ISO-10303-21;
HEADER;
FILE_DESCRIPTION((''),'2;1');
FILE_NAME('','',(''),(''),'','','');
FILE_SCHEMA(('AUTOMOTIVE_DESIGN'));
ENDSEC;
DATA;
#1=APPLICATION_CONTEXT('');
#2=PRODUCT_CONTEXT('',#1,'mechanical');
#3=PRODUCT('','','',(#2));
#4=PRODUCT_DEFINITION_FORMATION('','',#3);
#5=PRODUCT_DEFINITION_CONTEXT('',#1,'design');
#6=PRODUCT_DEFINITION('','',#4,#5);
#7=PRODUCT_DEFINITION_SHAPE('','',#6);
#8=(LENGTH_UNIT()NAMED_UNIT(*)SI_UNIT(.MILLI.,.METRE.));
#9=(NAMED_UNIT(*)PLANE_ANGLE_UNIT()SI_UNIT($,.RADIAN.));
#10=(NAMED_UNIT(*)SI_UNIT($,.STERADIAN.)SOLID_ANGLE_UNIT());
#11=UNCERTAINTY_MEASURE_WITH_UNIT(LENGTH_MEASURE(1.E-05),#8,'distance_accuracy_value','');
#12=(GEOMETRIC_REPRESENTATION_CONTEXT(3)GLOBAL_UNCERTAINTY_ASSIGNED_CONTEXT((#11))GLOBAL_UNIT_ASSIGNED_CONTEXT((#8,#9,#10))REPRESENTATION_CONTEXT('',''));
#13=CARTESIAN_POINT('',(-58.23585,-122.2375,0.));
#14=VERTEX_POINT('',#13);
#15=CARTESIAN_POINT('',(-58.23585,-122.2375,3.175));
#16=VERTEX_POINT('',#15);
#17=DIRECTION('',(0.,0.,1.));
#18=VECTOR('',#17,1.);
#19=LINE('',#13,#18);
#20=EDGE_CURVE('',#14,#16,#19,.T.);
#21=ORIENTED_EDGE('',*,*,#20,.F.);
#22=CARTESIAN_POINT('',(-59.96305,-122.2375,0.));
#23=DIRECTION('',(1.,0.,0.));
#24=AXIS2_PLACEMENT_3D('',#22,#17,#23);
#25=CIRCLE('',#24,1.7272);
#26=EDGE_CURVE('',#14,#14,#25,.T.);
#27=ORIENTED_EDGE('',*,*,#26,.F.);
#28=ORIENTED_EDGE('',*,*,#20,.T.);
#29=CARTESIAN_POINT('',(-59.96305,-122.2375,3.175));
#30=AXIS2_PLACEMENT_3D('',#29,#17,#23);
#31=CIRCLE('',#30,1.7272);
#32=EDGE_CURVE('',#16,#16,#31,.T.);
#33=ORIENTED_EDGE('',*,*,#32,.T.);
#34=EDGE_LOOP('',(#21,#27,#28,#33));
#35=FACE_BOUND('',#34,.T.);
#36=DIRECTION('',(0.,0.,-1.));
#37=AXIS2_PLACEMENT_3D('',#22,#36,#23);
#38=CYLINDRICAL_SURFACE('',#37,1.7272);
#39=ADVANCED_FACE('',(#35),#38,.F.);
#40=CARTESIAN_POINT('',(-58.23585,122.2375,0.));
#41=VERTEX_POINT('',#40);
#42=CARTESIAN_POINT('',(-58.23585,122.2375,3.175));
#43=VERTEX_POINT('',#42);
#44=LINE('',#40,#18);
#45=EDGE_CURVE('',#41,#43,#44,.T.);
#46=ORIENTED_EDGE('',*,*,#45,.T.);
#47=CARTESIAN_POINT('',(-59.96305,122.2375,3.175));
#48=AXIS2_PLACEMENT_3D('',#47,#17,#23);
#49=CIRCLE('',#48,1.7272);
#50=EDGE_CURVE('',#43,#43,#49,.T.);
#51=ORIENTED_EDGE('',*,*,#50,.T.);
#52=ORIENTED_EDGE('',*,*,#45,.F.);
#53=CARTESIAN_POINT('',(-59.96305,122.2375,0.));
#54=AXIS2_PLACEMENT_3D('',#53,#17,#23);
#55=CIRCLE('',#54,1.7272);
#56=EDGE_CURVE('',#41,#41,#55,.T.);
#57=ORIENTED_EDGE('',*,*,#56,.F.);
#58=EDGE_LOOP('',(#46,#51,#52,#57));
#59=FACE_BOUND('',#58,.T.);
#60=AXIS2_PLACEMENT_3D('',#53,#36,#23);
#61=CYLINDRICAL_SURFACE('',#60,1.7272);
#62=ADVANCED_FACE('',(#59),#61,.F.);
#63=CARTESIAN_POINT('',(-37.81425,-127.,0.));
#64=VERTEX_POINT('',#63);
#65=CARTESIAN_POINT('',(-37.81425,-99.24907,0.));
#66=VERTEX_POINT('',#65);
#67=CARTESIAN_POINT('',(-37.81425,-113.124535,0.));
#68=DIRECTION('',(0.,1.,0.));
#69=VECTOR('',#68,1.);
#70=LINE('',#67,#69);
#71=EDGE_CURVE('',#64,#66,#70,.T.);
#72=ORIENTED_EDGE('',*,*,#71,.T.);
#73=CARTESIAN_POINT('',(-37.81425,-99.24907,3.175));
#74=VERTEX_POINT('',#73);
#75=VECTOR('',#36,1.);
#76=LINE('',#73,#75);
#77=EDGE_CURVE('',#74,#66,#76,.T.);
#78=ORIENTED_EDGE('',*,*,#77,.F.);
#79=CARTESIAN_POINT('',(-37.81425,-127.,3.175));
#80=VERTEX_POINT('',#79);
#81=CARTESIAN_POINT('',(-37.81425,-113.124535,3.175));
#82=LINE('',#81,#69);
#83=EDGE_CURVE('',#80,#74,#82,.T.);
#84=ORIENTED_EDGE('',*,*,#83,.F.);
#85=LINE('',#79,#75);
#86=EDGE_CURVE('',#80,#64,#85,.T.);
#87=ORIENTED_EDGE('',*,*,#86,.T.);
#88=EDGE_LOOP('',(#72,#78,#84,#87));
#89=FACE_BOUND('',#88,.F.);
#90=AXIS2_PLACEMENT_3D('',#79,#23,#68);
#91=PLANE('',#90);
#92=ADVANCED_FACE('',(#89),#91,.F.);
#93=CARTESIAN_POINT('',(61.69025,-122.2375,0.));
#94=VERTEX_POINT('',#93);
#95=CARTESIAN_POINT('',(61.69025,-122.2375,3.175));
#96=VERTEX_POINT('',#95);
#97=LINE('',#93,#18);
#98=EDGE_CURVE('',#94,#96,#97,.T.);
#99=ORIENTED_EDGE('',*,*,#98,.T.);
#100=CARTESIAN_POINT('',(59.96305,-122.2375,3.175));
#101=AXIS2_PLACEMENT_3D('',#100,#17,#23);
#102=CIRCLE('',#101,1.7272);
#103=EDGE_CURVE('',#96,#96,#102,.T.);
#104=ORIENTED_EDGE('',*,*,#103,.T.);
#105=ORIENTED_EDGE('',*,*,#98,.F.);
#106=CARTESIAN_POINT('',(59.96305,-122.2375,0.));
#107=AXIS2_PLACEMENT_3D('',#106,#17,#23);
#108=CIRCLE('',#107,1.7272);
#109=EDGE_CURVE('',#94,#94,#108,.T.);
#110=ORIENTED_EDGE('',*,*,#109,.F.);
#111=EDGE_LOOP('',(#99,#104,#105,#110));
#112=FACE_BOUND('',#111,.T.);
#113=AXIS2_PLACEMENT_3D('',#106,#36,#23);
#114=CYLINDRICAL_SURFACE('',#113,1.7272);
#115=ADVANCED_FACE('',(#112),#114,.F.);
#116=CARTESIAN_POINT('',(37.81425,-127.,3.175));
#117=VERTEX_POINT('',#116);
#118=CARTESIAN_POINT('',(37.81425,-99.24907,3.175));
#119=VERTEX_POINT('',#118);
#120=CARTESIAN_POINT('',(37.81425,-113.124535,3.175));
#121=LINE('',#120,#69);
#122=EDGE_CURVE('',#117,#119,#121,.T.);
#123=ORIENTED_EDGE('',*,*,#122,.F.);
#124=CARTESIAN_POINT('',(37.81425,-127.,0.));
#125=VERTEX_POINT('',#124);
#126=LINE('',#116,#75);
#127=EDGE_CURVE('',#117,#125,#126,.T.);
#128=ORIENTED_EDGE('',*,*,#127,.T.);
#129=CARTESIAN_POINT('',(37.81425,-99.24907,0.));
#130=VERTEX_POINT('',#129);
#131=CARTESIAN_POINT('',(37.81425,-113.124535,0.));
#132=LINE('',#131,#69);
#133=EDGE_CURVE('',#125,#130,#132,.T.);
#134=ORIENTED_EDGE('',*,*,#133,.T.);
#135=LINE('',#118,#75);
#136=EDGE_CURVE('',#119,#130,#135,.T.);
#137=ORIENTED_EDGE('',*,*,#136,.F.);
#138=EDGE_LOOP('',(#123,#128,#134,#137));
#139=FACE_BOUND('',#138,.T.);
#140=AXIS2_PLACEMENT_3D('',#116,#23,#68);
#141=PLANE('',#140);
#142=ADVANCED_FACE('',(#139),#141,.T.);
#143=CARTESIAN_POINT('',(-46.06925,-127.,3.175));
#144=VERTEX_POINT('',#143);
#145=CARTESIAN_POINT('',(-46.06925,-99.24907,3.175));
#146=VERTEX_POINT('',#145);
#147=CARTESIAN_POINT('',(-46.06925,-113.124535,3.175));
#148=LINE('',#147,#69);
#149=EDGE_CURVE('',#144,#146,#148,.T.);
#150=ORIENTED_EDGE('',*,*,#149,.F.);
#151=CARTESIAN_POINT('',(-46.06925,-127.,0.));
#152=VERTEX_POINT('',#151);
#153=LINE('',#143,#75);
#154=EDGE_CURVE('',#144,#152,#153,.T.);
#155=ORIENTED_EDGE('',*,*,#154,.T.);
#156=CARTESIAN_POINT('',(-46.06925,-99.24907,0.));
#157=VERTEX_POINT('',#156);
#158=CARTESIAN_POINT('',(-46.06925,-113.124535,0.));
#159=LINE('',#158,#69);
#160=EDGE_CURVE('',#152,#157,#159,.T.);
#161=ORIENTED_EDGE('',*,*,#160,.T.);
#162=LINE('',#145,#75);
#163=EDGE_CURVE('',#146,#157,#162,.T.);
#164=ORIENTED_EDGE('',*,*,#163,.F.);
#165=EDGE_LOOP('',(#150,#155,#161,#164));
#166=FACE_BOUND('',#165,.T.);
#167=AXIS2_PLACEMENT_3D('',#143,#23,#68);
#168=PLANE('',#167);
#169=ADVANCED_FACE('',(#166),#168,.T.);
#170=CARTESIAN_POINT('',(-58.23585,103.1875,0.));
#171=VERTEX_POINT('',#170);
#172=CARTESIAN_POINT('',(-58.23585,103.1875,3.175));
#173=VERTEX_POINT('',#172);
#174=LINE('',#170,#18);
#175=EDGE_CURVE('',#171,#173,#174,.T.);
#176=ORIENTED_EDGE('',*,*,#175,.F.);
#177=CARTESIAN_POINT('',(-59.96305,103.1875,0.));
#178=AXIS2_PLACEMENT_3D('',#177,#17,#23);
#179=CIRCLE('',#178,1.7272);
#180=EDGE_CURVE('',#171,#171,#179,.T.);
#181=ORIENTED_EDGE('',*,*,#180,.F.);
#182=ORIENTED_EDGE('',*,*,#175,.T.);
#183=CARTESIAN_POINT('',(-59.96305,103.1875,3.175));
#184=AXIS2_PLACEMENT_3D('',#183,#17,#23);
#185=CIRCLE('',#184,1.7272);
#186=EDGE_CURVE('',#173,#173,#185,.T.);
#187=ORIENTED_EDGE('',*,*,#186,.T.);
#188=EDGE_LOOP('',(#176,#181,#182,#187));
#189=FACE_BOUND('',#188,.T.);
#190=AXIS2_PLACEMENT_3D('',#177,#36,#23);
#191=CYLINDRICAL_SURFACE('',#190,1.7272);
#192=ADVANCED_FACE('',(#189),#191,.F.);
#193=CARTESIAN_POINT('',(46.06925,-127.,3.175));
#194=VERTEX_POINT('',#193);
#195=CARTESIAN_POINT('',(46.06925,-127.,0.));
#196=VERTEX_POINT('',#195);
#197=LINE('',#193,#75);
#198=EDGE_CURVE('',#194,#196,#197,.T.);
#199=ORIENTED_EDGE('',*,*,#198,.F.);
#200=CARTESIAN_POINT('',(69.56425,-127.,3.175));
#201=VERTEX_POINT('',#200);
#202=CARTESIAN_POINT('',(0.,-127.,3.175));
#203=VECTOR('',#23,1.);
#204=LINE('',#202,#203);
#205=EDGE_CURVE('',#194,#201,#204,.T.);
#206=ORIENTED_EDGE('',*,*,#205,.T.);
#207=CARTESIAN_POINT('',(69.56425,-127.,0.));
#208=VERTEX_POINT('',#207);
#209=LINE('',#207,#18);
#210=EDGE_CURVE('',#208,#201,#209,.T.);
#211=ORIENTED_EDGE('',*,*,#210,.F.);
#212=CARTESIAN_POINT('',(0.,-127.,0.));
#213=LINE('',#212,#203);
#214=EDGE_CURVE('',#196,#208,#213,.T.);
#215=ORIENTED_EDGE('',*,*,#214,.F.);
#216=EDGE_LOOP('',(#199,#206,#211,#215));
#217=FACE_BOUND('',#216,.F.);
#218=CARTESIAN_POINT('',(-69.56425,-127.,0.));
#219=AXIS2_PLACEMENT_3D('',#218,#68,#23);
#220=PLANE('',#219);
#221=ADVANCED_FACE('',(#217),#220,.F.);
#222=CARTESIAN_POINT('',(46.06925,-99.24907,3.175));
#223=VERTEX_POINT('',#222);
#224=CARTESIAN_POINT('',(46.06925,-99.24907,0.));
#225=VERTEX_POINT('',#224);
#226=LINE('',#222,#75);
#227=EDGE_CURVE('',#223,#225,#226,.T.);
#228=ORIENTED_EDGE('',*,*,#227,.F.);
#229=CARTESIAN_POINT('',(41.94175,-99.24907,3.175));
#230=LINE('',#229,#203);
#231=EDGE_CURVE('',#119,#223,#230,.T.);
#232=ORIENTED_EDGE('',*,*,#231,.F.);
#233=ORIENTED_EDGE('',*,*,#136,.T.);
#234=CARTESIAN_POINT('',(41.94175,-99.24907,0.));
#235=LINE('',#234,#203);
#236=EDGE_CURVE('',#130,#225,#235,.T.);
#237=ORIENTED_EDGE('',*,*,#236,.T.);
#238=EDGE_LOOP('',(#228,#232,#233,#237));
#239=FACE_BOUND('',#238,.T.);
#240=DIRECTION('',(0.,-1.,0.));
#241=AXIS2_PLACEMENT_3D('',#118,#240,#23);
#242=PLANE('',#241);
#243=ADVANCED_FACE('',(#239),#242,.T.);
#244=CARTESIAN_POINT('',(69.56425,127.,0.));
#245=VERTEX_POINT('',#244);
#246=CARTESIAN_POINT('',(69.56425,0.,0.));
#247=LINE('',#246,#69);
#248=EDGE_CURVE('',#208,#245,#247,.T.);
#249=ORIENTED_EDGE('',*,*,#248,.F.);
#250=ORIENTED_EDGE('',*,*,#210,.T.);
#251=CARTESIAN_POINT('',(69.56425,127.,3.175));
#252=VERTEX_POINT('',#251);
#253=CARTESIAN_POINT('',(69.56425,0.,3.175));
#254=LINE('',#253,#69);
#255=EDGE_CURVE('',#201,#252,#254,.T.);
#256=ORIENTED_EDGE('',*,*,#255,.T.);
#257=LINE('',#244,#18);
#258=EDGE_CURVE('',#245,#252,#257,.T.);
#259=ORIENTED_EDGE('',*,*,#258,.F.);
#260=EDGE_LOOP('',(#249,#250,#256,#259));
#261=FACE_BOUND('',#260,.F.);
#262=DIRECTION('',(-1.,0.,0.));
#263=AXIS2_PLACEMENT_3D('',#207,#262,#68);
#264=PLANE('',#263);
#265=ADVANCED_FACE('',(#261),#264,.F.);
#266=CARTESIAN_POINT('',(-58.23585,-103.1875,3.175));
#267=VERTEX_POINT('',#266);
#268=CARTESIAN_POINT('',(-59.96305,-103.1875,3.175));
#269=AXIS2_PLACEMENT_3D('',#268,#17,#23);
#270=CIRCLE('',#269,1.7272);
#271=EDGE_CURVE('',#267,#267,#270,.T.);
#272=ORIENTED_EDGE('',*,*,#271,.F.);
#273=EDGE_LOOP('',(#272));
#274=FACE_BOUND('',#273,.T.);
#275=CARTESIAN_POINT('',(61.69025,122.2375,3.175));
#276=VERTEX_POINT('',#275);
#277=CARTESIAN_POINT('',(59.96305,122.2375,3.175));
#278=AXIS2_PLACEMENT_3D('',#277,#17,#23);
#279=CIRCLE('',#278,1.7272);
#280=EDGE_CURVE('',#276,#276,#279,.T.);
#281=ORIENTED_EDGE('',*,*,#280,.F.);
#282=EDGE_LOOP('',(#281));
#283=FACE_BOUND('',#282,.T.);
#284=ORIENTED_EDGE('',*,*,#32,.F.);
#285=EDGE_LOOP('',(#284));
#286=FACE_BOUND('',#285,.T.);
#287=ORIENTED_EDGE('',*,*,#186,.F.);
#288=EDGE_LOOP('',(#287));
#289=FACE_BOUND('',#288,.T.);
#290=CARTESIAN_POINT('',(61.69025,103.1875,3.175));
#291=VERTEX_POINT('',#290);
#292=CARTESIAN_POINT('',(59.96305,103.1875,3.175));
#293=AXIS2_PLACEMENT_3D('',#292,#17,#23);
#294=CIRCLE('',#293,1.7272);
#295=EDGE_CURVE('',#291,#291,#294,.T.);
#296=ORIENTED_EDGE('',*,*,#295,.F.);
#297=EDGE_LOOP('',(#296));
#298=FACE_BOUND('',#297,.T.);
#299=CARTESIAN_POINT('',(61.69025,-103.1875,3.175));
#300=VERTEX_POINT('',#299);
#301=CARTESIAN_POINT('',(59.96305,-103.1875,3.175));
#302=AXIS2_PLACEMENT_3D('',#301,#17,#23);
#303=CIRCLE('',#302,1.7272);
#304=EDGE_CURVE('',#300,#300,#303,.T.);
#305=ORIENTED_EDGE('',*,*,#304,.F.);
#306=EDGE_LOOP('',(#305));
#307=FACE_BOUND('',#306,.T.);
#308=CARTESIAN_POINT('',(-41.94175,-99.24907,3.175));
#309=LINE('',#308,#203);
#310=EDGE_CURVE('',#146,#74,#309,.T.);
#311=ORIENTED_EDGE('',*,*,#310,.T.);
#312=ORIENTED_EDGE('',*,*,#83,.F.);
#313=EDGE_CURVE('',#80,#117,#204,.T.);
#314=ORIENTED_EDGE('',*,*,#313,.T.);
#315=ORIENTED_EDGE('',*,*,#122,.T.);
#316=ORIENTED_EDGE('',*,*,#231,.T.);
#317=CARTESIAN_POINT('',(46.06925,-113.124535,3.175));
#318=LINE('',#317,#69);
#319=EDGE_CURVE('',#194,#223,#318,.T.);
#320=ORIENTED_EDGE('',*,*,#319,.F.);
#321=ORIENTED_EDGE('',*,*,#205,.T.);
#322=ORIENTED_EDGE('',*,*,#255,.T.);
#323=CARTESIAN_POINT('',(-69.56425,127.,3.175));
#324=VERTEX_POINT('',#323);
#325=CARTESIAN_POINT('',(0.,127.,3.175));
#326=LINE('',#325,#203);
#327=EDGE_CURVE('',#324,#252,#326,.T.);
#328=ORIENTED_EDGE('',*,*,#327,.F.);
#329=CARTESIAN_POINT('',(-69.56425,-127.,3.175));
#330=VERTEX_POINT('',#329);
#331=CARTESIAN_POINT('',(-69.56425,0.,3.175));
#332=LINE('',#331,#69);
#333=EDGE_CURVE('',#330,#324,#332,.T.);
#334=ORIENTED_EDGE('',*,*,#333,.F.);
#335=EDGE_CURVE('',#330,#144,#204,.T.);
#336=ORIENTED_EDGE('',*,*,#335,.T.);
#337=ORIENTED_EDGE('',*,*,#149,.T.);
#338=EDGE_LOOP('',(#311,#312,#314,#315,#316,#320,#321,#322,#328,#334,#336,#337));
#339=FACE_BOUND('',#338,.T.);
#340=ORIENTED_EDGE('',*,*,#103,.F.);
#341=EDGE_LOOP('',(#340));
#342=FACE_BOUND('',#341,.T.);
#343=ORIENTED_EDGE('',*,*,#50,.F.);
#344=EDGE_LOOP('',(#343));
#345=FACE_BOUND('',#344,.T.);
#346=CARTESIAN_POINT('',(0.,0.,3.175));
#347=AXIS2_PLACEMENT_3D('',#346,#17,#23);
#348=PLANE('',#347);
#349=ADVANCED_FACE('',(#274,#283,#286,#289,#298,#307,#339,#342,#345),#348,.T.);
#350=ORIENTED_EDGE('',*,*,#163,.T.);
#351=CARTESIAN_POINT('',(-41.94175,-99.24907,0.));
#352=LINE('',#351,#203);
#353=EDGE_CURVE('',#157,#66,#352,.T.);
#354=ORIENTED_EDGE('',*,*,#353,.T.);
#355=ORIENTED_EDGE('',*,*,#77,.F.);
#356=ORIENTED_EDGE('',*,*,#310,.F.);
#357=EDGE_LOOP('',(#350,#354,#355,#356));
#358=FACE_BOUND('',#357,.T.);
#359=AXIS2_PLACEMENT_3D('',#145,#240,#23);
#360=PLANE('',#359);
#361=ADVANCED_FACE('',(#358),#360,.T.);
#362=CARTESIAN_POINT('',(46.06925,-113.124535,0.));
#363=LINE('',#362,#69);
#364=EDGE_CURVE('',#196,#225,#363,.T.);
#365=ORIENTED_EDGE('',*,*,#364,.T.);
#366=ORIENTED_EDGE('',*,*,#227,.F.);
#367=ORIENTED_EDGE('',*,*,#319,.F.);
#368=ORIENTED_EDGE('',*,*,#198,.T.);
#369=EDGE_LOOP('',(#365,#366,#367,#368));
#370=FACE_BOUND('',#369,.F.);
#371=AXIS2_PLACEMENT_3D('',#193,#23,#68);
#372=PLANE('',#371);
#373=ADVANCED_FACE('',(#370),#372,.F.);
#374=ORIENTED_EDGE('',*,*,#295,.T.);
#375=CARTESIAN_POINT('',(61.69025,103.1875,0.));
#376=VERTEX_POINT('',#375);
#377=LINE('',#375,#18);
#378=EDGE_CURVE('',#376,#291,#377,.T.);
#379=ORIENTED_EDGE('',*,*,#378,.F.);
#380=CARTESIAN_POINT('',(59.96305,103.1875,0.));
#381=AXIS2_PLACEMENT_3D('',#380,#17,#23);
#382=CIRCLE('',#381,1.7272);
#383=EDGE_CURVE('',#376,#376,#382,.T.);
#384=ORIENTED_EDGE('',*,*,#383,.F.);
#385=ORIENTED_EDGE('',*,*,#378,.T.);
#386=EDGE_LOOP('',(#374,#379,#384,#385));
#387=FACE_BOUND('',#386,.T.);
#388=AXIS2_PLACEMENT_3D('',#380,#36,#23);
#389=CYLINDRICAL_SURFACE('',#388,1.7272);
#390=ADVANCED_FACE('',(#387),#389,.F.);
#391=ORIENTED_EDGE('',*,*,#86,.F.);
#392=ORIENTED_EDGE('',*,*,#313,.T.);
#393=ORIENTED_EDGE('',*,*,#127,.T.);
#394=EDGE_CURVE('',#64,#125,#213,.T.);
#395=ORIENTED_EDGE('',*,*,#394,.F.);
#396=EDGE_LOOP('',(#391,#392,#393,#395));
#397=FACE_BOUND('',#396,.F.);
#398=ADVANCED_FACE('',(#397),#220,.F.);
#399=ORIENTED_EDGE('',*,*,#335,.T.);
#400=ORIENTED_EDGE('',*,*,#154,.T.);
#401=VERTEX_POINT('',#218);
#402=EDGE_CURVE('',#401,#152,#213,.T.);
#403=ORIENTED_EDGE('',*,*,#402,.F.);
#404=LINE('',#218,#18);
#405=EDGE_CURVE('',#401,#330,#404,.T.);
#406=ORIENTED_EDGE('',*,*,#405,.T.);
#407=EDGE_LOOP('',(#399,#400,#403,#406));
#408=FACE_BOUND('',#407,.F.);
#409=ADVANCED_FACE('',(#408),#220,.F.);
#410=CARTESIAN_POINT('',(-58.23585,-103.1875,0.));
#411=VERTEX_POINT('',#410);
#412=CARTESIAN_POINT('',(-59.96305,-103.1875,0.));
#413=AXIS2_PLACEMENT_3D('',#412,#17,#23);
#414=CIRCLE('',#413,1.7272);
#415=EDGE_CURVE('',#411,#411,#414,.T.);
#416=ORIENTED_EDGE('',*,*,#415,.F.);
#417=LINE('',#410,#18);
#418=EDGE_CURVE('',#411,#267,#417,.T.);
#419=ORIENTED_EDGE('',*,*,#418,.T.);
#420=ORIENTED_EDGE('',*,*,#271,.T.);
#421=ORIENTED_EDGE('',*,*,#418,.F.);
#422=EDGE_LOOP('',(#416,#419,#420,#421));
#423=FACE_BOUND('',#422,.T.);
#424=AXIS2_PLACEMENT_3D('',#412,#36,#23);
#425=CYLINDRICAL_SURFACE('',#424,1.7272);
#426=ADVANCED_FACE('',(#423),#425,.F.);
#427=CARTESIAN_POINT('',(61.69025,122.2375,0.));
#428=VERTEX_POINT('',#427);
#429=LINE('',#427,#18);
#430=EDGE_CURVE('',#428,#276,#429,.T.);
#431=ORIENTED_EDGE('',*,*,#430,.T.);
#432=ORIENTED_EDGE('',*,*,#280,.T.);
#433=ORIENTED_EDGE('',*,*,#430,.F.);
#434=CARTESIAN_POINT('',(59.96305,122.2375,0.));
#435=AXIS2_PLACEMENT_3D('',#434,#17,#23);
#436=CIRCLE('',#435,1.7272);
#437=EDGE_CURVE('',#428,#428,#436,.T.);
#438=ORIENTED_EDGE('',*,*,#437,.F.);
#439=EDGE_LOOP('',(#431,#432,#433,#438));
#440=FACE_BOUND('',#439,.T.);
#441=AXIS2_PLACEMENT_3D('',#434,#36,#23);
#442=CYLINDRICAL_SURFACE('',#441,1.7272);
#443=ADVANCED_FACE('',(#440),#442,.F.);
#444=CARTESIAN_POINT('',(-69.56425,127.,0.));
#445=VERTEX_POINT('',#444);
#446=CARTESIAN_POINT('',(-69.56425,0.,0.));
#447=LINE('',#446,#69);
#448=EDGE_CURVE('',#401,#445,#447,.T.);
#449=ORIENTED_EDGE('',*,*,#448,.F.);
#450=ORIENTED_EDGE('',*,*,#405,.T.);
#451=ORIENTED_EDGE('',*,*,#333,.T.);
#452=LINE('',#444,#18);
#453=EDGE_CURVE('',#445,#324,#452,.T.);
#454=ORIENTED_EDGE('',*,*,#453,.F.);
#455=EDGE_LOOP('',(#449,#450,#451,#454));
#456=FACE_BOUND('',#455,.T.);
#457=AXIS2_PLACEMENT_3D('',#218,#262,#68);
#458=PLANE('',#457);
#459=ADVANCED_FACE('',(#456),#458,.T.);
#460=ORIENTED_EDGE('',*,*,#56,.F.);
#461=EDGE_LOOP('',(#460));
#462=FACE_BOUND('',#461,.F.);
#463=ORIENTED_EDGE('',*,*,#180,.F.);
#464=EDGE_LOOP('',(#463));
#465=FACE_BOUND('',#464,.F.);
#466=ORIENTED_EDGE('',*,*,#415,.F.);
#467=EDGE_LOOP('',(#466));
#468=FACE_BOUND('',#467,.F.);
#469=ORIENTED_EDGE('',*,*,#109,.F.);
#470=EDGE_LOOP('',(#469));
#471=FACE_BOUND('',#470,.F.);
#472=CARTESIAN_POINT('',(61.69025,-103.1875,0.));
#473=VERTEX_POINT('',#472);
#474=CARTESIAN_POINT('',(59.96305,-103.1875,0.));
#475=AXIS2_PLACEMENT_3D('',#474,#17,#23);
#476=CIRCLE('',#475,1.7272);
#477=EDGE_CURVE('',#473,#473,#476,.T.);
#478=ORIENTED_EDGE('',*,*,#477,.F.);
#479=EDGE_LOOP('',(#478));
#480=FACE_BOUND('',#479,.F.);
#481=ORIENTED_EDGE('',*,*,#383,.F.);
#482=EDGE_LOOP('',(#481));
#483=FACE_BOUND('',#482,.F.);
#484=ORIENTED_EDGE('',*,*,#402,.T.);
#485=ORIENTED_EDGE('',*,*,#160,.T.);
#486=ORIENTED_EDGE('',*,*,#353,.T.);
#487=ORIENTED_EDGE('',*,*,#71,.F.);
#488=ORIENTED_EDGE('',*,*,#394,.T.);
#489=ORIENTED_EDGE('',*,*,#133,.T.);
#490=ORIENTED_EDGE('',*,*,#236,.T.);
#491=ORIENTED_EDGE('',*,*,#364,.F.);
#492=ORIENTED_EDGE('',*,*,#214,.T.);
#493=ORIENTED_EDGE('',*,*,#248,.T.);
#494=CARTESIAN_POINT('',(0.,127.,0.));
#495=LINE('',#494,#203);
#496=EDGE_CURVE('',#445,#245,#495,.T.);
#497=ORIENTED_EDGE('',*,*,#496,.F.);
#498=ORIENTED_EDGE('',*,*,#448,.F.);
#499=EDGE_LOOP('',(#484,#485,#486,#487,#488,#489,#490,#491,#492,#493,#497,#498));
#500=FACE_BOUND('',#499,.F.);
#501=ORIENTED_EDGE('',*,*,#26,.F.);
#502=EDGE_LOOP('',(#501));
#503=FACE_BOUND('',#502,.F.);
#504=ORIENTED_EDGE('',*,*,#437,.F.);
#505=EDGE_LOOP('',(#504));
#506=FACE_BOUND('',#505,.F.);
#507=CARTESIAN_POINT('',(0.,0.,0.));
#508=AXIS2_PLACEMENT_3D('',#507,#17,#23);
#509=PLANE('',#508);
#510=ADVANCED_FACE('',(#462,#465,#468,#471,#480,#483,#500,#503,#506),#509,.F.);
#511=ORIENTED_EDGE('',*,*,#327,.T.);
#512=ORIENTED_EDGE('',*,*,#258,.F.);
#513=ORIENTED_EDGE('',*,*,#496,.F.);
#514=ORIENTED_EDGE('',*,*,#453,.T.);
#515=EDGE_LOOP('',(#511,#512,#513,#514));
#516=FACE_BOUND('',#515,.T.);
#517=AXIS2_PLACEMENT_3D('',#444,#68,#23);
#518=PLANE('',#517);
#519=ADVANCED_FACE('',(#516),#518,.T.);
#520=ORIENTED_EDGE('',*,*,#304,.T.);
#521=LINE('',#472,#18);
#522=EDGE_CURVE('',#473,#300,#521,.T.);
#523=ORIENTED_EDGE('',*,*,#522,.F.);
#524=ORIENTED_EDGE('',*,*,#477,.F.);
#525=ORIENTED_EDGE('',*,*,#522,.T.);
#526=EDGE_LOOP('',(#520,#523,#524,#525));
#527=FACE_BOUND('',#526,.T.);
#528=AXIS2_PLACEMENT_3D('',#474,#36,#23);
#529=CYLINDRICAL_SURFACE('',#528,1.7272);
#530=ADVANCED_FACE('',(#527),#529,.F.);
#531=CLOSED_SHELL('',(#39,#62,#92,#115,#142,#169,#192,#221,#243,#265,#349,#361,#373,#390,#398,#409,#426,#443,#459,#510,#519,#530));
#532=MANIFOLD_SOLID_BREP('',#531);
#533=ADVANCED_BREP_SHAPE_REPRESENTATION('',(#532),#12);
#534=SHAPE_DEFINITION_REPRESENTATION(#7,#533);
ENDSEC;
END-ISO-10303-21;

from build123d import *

# Parameters (mm, degrees)
F0_W     = 139.1285
F0_H     = 254
F0_R     = 1.7272
F1_DEPTH = 3.175
F2_W     = 8.255
F2_H     = 27.75093
F3_DEPTH = 3.175


with BuildPart() as f1:
    # F0 (on Top) → F1 (new body)
    with BuildSketch(Plane.XY):
        Rectangle(F0_W, F0_H)
        with Locations((-59.96305, -122.2375)):
            Circle(F0_R, mode=Mode.SUBTRACT)
        with Locations((-59.96305, -103.1875)):
            Circle(F0_R, mode=Mode.SUBTRACT)
        with Locations((59.96305, -122.2375)):
            Circle(F0_R, mode=Mode.SUBTRACT)
        with Locations((59.96305, -103.1875)):
            Circle(F0_R, mode=Mode.SUBTRACT)
        with Locations((-59.96305, 103.1875)):
            Circle(F0_R, mode=Mode.SUBTRACT)
        with Locations((-59.96305, 122.2375)):
            Circle(F0_R, mode=Mode.SUBTRACT)
        with Locations((59.96305, 103.1875)):
            Circle(F0_R, mode=Mode.SUBTRACT)
        with Locations((59.96305, 122.2375)):
            Circle(F0_R, mode=Mode.SUBTRACT)
    extrude(amount=F1_DEPTH)

    # F2 (on face) → F3 (cut, through all)
    with BuildSketch(Plane.XY.offset(3.175)):
        with Locations((-41.94175, -113.124535)):
            Rectangle(F2_W, F2_H)
        with Locations((41.94175, -113.124535)):
            Rectangle(F2_W, F2_H)
    extrude(amount=-F3_DEPTH, mode=Mode.SUBTRACT)


solid = f1.part
